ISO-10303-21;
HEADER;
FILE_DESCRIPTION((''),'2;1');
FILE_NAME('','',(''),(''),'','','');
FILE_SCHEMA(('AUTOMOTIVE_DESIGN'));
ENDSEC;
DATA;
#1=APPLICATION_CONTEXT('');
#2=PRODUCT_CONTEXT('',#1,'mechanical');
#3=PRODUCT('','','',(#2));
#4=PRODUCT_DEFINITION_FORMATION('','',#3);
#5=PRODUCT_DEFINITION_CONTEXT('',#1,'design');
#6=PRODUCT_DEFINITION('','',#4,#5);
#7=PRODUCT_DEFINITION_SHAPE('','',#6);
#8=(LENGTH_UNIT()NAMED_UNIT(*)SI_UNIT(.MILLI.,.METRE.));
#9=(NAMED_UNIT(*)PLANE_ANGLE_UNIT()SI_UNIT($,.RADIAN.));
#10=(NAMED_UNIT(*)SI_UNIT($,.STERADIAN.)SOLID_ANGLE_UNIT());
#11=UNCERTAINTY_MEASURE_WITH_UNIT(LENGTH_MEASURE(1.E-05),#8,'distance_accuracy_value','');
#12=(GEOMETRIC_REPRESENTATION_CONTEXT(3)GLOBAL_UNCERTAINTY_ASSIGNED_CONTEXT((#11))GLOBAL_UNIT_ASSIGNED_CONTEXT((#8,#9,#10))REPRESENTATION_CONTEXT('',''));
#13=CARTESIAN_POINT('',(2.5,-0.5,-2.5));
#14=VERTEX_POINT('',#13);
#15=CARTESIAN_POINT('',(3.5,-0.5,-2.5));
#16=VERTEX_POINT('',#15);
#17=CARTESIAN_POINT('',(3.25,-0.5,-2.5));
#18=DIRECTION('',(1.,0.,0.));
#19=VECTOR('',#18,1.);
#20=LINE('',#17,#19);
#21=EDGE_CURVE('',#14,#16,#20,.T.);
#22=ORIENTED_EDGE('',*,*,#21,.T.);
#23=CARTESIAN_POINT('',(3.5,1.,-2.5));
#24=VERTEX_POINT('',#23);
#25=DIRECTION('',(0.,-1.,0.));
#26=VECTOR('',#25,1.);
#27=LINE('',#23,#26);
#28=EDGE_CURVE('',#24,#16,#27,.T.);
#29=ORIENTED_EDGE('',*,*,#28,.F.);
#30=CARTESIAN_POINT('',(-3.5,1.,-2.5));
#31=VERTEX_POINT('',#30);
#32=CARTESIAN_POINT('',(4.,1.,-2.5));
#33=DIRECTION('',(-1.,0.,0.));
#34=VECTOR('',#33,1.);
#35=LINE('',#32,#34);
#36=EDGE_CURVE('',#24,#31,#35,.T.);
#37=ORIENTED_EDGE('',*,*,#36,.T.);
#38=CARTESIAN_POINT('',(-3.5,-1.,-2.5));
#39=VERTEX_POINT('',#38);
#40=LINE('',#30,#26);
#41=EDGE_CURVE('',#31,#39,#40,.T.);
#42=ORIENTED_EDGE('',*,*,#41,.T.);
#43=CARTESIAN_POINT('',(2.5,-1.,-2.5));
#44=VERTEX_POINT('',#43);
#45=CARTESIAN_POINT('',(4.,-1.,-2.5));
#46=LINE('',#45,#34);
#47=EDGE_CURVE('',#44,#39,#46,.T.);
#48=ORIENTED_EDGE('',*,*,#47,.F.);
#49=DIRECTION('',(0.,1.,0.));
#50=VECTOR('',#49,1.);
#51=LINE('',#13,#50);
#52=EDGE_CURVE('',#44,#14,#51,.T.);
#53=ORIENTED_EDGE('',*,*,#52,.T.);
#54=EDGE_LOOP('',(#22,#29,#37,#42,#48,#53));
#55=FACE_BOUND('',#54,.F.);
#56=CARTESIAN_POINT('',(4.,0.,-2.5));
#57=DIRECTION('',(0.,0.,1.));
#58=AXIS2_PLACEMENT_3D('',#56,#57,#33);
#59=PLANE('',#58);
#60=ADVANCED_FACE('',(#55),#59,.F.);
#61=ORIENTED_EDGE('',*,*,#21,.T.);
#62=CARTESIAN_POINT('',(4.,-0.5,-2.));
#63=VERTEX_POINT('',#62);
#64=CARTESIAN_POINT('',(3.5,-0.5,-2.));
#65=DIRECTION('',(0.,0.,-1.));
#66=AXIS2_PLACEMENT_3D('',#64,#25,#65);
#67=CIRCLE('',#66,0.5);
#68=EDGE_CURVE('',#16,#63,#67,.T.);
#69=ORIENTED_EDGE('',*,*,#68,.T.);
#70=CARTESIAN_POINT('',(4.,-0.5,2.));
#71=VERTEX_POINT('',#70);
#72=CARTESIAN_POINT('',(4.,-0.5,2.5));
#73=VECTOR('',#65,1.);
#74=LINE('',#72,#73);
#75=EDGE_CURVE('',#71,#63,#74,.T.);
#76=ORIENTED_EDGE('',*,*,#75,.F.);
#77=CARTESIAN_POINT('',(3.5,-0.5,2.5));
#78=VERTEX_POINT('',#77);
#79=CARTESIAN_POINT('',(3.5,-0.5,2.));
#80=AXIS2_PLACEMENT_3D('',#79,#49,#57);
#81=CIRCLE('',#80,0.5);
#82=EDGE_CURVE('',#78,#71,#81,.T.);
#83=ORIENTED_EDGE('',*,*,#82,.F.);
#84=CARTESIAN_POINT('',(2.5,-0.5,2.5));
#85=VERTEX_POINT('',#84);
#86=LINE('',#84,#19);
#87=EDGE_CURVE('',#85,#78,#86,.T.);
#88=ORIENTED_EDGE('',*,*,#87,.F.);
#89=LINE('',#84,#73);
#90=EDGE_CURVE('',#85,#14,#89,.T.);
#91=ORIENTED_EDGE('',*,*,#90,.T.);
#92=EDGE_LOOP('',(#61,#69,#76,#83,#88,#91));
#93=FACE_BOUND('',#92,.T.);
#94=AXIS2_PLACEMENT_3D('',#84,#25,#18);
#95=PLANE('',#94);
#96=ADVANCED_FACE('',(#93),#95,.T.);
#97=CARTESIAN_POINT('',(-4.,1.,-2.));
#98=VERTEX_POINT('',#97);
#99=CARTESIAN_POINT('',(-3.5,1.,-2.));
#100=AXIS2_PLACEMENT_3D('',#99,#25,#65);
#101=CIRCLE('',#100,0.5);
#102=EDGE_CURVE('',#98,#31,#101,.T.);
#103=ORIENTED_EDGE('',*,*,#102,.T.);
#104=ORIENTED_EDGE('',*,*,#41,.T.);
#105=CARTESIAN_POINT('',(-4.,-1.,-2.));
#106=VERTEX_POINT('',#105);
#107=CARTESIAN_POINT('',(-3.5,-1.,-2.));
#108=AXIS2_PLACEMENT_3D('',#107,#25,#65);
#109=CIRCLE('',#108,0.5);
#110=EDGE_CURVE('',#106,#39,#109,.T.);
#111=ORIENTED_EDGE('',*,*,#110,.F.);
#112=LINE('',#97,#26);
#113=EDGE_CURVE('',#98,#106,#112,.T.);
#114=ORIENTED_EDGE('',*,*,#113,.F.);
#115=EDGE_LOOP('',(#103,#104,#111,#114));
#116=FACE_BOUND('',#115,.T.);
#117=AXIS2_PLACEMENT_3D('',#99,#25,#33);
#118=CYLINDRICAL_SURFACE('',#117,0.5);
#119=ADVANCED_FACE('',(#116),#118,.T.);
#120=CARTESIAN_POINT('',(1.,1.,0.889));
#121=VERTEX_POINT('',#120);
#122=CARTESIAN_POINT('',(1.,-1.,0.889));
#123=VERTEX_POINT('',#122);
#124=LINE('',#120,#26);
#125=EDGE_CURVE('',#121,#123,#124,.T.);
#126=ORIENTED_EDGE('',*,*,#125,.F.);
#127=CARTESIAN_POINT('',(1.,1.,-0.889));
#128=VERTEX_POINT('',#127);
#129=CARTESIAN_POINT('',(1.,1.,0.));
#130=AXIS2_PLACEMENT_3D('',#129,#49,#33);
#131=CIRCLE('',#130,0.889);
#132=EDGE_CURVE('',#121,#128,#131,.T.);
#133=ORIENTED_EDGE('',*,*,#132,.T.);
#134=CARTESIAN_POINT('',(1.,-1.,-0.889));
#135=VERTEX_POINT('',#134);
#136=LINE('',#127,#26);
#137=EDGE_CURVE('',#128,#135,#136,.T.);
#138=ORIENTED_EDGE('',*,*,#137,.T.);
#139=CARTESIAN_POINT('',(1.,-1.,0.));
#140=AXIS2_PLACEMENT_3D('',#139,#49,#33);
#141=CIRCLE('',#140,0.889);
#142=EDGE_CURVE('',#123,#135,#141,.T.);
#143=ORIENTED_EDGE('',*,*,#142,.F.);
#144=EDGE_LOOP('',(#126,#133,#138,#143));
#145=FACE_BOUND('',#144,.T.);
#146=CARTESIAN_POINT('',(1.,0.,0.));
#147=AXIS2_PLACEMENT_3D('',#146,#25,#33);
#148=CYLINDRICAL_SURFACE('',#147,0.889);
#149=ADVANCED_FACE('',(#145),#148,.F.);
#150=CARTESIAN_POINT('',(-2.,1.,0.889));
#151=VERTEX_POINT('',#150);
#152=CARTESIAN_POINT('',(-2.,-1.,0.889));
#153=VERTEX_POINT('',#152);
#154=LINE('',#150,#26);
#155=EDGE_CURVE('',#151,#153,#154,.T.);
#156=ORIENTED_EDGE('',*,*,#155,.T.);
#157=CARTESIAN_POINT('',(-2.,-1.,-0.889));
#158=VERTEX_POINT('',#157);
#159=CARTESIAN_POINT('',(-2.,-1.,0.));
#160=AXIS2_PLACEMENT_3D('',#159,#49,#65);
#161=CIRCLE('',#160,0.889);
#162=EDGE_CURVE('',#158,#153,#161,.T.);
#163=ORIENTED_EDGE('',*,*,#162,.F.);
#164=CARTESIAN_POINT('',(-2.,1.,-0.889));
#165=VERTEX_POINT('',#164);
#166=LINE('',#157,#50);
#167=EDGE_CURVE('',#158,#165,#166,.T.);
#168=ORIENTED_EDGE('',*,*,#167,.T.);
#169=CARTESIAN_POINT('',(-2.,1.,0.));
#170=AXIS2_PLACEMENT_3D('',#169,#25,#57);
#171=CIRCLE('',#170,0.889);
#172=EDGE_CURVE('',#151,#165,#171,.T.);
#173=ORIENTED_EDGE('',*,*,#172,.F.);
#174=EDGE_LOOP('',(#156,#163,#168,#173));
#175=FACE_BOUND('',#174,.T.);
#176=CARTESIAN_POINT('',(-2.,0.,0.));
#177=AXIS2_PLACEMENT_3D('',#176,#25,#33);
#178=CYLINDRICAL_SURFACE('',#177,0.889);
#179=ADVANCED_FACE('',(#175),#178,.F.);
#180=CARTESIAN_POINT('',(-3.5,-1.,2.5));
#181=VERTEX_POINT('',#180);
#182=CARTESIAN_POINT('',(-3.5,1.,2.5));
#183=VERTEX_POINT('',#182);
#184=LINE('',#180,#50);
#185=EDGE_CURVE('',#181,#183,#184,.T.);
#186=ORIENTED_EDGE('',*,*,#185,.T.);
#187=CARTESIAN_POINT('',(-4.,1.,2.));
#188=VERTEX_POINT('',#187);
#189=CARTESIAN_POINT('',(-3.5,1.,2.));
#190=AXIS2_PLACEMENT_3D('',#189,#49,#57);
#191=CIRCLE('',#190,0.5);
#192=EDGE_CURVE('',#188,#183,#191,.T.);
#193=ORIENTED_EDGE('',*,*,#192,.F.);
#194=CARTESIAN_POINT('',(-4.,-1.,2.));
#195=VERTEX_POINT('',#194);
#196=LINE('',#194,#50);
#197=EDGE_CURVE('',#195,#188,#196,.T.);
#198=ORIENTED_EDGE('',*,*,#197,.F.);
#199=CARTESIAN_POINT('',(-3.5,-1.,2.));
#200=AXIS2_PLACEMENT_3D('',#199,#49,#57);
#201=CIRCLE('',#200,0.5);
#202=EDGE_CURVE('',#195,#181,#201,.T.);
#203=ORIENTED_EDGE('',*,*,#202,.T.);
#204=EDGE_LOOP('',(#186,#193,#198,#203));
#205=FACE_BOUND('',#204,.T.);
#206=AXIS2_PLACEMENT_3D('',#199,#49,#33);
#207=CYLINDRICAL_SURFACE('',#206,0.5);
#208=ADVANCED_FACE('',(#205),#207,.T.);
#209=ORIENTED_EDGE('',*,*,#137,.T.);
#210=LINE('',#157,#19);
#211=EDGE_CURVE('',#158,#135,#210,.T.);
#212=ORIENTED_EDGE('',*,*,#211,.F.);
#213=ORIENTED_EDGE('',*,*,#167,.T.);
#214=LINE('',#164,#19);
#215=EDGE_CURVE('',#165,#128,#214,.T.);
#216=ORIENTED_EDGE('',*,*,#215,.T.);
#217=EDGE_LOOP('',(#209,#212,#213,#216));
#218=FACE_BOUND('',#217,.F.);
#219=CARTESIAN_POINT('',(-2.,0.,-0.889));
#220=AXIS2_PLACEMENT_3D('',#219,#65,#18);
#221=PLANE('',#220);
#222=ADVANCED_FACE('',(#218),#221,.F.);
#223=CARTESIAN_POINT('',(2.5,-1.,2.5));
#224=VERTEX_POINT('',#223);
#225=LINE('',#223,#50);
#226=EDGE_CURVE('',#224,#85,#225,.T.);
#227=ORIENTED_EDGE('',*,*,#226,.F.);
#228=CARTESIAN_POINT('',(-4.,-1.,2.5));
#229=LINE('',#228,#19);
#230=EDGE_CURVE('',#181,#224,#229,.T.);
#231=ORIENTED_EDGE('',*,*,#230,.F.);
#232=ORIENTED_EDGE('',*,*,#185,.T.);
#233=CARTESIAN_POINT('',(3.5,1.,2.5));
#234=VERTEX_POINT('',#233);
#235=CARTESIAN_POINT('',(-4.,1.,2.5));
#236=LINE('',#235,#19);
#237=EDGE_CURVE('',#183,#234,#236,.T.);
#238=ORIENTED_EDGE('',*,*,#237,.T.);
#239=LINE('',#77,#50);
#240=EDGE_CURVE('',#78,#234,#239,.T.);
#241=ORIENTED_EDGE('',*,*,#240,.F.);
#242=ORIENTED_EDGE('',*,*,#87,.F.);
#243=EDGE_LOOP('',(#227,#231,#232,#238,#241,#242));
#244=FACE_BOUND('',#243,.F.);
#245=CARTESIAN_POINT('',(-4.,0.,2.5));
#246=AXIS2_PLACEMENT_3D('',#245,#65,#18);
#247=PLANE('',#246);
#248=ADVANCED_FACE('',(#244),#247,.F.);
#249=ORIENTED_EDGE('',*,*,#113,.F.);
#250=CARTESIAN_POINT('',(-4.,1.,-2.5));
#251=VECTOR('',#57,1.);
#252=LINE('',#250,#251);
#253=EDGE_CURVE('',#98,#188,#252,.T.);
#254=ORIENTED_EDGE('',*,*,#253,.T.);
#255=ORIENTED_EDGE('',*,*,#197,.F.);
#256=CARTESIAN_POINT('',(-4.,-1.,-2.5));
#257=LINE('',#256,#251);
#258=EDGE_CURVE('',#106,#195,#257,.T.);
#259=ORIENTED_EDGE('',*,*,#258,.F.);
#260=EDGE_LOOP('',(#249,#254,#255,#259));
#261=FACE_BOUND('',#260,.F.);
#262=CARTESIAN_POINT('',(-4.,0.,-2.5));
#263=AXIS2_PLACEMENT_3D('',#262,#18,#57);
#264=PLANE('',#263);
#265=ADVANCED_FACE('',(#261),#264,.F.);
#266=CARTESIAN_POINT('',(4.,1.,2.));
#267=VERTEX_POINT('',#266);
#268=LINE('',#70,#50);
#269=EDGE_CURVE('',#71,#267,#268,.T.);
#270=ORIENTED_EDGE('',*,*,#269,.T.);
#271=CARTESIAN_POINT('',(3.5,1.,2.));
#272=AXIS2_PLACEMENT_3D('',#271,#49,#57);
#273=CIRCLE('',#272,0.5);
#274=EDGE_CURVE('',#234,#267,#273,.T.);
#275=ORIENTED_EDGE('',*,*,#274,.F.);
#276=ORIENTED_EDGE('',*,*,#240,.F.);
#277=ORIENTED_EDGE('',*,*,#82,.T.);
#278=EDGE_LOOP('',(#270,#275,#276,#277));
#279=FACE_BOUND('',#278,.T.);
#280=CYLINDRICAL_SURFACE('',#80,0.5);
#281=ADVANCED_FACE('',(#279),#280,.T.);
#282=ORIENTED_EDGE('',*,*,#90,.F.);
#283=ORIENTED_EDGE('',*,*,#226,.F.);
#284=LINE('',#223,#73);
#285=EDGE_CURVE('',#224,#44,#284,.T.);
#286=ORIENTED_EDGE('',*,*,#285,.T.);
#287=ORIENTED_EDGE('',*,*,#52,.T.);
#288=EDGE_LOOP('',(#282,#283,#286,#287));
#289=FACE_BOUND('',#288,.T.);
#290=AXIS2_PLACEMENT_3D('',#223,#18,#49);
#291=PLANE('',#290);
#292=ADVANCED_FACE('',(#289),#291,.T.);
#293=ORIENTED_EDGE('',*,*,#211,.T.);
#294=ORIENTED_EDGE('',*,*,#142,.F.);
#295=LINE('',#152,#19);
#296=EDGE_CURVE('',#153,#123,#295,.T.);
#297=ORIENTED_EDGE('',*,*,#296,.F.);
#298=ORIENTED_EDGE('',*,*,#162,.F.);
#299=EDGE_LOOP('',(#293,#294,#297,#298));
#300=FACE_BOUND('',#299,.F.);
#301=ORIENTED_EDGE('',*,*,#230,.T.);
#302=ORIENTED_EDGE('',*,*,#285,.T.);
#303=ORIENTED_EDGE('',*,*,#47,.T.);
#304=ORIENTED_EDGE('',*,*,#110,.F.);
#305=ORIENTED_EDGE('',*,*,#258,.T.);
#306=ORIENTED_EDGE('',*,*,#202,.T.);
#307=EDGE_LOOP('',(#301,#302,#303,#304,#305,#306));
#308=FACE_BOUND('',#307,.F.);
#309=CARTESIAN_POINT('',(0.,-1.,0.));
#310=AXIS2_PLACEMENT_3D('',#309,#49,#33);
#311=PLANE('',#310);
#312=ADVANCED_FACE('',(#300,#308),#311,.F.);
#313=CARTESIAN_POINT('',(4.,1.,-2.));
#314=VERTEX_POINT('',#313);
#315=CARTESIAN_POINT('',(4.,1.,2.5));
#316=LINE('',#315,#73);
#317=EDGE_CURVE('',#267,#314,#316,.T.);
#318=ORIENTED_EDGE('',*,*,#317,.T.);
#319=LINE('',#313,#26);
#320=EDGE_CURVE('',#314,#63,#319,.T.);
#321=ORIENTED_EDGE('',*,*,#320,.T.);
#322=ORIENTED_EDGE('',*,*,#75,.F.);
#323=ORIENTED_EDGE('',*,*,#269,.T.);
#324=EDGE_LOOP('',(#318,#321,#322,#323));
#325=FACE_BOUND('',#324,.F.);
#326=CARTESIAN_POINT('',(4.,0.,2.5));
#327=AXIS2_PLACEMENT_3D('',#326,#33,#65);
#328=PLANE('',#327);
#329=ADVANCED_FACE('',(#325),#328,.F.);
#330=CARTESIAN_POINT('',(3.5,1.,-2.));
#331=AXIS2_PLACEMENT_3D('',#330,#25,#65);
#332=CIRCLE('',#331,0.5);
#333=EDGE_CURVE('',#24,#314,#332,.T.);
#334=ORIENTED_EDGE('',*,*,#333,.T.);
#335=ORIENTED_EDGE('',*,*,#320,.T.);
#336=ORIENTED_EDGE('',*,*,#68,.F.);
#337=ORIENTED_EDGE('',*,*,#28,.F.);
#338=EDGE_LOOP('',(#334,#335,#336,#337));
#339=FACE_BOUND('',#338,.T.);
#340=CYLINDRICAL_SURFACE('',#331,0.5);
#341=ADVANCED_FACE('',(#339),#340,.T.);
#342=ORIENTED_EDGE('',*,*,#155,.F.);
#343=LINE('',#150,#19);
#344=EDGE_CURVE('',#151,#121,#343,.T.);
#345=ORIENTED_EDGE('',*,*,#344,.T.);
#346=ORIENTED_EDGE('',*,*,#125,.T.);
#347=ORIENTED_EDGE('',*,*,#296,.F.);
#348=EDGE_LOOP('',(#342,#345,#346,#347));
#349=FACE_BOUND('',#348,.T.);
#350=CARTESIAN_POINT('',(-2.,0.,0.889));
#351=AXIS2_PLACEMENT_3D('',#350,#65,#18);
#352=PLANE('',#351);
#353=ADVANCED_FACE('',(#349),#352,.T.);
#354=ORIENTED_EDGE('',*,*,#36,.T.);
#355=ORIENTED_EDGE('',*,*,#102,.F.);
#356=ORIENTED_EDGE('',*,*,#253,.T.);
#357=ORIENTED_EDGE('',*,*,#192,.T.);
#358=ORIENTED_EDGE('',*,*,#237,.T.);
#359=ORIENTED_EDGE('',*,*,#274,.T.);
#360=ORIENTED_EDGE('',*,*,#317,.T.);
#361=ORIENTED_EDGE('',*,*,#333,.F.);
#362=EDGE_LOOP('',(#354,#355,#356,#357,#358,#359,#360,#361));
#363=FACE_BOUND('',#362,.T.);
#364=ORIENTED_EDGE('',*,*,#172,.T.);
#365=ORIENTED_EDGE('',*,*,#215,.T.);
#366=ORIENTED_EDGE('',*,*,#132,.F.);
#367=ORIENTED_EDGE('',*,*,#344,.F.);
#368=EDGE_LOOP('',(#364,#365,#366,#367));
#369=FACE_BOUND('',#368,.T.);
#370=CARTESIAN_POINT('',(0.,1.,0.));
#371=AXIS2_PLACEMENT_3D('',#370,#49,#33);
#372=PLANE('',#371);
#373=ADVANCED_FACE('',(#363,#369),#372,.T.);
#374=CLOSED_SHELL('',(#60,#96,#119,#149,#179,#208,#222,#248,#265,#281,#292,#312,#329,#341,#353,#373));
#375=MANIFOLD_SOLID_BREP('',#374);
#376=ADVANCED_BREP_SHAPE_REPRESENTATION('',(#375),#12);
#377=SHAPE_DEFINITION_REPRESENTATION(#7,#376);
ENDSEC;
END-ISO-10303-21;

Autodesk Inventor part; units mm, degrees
ref_plane "YZ Plane" through (0, 0, 0) normal (1, 0, 0) x (0, 1, 0)
ref_plane "XZ Plane" through (0, 0, 0) normal (0, 1, 0) x (-1, 0, 0)
ref_plane "XY Plane" through (0, 0, 0) normal (0, 0, 1) x (1, 0, 0)
sketch "Sketch1" plane through (0, 0, 0) normal (0, 1, 0) x (-1, 0, 0)
  line L0 (4, 2.5) -> (-4, 2.5)
  line L1 (-4, 2.5) -> (-4, -2.5)
  line L2 (-4, -2.5) -> (4, -2.5)
  line L3 (4, -2.5) -> (4, 2.5)
  line L4 (4, 2.5) -> (-4, -2.5) construction
  line L5 (-4, 2.5) -> (4, -2.5) construction
  circle A0 centre (2, 0) radius 0.889
  circle A1 centre (-1, 0) radius 0.889
  line L6 (2, -0.889) -> (-1, -0.889)
  line L7 (2, 0.889) -> (-1, 0.889)
  point P0 (0, 0)
  point P1 (0, 0)
  point P2 (0, 0)
  point P3 (0, 0)
  dimension "d19" = 8
  dimension "d20" = 5
  dimension "d21" = 1.778
  dimension "d22" = 2
  dimension "d23" = 3
extrude "Extrusion1" add sketch "Sketch1" along normal mid plane 2
sketch "Sketch4" plane through (-4, 1, 2.5) normal (0, 0, 1) x (1, 0, 0)
  line L0 (8, -2) -> (6.5, -2)
  line L1 (6.5, -2) -> (6.5, -1.5)
  line L2 (6.5, -1.5) -> (8, -1.5)
  line L3 (8, -1.5) -> (8, -2)
  line L4 (8, -2) -> (0, -2) projected
  line L5 (8, -2) -> (8, 0) projected
  point P0 (4, -1)
  dimension "d24" = 0.5
  dimension "d25" = 1.5
extrude "Extrusion3" cut sketch "Sketch4" against normal through all
fillet "Fillet2" radius 0.5 4 edges at (-4, 0, 2.5) (-4, 0, -2.5) (4, 0.25, 2.5) (4, 0.25, -2.5)
properties part number "ChipClip"
